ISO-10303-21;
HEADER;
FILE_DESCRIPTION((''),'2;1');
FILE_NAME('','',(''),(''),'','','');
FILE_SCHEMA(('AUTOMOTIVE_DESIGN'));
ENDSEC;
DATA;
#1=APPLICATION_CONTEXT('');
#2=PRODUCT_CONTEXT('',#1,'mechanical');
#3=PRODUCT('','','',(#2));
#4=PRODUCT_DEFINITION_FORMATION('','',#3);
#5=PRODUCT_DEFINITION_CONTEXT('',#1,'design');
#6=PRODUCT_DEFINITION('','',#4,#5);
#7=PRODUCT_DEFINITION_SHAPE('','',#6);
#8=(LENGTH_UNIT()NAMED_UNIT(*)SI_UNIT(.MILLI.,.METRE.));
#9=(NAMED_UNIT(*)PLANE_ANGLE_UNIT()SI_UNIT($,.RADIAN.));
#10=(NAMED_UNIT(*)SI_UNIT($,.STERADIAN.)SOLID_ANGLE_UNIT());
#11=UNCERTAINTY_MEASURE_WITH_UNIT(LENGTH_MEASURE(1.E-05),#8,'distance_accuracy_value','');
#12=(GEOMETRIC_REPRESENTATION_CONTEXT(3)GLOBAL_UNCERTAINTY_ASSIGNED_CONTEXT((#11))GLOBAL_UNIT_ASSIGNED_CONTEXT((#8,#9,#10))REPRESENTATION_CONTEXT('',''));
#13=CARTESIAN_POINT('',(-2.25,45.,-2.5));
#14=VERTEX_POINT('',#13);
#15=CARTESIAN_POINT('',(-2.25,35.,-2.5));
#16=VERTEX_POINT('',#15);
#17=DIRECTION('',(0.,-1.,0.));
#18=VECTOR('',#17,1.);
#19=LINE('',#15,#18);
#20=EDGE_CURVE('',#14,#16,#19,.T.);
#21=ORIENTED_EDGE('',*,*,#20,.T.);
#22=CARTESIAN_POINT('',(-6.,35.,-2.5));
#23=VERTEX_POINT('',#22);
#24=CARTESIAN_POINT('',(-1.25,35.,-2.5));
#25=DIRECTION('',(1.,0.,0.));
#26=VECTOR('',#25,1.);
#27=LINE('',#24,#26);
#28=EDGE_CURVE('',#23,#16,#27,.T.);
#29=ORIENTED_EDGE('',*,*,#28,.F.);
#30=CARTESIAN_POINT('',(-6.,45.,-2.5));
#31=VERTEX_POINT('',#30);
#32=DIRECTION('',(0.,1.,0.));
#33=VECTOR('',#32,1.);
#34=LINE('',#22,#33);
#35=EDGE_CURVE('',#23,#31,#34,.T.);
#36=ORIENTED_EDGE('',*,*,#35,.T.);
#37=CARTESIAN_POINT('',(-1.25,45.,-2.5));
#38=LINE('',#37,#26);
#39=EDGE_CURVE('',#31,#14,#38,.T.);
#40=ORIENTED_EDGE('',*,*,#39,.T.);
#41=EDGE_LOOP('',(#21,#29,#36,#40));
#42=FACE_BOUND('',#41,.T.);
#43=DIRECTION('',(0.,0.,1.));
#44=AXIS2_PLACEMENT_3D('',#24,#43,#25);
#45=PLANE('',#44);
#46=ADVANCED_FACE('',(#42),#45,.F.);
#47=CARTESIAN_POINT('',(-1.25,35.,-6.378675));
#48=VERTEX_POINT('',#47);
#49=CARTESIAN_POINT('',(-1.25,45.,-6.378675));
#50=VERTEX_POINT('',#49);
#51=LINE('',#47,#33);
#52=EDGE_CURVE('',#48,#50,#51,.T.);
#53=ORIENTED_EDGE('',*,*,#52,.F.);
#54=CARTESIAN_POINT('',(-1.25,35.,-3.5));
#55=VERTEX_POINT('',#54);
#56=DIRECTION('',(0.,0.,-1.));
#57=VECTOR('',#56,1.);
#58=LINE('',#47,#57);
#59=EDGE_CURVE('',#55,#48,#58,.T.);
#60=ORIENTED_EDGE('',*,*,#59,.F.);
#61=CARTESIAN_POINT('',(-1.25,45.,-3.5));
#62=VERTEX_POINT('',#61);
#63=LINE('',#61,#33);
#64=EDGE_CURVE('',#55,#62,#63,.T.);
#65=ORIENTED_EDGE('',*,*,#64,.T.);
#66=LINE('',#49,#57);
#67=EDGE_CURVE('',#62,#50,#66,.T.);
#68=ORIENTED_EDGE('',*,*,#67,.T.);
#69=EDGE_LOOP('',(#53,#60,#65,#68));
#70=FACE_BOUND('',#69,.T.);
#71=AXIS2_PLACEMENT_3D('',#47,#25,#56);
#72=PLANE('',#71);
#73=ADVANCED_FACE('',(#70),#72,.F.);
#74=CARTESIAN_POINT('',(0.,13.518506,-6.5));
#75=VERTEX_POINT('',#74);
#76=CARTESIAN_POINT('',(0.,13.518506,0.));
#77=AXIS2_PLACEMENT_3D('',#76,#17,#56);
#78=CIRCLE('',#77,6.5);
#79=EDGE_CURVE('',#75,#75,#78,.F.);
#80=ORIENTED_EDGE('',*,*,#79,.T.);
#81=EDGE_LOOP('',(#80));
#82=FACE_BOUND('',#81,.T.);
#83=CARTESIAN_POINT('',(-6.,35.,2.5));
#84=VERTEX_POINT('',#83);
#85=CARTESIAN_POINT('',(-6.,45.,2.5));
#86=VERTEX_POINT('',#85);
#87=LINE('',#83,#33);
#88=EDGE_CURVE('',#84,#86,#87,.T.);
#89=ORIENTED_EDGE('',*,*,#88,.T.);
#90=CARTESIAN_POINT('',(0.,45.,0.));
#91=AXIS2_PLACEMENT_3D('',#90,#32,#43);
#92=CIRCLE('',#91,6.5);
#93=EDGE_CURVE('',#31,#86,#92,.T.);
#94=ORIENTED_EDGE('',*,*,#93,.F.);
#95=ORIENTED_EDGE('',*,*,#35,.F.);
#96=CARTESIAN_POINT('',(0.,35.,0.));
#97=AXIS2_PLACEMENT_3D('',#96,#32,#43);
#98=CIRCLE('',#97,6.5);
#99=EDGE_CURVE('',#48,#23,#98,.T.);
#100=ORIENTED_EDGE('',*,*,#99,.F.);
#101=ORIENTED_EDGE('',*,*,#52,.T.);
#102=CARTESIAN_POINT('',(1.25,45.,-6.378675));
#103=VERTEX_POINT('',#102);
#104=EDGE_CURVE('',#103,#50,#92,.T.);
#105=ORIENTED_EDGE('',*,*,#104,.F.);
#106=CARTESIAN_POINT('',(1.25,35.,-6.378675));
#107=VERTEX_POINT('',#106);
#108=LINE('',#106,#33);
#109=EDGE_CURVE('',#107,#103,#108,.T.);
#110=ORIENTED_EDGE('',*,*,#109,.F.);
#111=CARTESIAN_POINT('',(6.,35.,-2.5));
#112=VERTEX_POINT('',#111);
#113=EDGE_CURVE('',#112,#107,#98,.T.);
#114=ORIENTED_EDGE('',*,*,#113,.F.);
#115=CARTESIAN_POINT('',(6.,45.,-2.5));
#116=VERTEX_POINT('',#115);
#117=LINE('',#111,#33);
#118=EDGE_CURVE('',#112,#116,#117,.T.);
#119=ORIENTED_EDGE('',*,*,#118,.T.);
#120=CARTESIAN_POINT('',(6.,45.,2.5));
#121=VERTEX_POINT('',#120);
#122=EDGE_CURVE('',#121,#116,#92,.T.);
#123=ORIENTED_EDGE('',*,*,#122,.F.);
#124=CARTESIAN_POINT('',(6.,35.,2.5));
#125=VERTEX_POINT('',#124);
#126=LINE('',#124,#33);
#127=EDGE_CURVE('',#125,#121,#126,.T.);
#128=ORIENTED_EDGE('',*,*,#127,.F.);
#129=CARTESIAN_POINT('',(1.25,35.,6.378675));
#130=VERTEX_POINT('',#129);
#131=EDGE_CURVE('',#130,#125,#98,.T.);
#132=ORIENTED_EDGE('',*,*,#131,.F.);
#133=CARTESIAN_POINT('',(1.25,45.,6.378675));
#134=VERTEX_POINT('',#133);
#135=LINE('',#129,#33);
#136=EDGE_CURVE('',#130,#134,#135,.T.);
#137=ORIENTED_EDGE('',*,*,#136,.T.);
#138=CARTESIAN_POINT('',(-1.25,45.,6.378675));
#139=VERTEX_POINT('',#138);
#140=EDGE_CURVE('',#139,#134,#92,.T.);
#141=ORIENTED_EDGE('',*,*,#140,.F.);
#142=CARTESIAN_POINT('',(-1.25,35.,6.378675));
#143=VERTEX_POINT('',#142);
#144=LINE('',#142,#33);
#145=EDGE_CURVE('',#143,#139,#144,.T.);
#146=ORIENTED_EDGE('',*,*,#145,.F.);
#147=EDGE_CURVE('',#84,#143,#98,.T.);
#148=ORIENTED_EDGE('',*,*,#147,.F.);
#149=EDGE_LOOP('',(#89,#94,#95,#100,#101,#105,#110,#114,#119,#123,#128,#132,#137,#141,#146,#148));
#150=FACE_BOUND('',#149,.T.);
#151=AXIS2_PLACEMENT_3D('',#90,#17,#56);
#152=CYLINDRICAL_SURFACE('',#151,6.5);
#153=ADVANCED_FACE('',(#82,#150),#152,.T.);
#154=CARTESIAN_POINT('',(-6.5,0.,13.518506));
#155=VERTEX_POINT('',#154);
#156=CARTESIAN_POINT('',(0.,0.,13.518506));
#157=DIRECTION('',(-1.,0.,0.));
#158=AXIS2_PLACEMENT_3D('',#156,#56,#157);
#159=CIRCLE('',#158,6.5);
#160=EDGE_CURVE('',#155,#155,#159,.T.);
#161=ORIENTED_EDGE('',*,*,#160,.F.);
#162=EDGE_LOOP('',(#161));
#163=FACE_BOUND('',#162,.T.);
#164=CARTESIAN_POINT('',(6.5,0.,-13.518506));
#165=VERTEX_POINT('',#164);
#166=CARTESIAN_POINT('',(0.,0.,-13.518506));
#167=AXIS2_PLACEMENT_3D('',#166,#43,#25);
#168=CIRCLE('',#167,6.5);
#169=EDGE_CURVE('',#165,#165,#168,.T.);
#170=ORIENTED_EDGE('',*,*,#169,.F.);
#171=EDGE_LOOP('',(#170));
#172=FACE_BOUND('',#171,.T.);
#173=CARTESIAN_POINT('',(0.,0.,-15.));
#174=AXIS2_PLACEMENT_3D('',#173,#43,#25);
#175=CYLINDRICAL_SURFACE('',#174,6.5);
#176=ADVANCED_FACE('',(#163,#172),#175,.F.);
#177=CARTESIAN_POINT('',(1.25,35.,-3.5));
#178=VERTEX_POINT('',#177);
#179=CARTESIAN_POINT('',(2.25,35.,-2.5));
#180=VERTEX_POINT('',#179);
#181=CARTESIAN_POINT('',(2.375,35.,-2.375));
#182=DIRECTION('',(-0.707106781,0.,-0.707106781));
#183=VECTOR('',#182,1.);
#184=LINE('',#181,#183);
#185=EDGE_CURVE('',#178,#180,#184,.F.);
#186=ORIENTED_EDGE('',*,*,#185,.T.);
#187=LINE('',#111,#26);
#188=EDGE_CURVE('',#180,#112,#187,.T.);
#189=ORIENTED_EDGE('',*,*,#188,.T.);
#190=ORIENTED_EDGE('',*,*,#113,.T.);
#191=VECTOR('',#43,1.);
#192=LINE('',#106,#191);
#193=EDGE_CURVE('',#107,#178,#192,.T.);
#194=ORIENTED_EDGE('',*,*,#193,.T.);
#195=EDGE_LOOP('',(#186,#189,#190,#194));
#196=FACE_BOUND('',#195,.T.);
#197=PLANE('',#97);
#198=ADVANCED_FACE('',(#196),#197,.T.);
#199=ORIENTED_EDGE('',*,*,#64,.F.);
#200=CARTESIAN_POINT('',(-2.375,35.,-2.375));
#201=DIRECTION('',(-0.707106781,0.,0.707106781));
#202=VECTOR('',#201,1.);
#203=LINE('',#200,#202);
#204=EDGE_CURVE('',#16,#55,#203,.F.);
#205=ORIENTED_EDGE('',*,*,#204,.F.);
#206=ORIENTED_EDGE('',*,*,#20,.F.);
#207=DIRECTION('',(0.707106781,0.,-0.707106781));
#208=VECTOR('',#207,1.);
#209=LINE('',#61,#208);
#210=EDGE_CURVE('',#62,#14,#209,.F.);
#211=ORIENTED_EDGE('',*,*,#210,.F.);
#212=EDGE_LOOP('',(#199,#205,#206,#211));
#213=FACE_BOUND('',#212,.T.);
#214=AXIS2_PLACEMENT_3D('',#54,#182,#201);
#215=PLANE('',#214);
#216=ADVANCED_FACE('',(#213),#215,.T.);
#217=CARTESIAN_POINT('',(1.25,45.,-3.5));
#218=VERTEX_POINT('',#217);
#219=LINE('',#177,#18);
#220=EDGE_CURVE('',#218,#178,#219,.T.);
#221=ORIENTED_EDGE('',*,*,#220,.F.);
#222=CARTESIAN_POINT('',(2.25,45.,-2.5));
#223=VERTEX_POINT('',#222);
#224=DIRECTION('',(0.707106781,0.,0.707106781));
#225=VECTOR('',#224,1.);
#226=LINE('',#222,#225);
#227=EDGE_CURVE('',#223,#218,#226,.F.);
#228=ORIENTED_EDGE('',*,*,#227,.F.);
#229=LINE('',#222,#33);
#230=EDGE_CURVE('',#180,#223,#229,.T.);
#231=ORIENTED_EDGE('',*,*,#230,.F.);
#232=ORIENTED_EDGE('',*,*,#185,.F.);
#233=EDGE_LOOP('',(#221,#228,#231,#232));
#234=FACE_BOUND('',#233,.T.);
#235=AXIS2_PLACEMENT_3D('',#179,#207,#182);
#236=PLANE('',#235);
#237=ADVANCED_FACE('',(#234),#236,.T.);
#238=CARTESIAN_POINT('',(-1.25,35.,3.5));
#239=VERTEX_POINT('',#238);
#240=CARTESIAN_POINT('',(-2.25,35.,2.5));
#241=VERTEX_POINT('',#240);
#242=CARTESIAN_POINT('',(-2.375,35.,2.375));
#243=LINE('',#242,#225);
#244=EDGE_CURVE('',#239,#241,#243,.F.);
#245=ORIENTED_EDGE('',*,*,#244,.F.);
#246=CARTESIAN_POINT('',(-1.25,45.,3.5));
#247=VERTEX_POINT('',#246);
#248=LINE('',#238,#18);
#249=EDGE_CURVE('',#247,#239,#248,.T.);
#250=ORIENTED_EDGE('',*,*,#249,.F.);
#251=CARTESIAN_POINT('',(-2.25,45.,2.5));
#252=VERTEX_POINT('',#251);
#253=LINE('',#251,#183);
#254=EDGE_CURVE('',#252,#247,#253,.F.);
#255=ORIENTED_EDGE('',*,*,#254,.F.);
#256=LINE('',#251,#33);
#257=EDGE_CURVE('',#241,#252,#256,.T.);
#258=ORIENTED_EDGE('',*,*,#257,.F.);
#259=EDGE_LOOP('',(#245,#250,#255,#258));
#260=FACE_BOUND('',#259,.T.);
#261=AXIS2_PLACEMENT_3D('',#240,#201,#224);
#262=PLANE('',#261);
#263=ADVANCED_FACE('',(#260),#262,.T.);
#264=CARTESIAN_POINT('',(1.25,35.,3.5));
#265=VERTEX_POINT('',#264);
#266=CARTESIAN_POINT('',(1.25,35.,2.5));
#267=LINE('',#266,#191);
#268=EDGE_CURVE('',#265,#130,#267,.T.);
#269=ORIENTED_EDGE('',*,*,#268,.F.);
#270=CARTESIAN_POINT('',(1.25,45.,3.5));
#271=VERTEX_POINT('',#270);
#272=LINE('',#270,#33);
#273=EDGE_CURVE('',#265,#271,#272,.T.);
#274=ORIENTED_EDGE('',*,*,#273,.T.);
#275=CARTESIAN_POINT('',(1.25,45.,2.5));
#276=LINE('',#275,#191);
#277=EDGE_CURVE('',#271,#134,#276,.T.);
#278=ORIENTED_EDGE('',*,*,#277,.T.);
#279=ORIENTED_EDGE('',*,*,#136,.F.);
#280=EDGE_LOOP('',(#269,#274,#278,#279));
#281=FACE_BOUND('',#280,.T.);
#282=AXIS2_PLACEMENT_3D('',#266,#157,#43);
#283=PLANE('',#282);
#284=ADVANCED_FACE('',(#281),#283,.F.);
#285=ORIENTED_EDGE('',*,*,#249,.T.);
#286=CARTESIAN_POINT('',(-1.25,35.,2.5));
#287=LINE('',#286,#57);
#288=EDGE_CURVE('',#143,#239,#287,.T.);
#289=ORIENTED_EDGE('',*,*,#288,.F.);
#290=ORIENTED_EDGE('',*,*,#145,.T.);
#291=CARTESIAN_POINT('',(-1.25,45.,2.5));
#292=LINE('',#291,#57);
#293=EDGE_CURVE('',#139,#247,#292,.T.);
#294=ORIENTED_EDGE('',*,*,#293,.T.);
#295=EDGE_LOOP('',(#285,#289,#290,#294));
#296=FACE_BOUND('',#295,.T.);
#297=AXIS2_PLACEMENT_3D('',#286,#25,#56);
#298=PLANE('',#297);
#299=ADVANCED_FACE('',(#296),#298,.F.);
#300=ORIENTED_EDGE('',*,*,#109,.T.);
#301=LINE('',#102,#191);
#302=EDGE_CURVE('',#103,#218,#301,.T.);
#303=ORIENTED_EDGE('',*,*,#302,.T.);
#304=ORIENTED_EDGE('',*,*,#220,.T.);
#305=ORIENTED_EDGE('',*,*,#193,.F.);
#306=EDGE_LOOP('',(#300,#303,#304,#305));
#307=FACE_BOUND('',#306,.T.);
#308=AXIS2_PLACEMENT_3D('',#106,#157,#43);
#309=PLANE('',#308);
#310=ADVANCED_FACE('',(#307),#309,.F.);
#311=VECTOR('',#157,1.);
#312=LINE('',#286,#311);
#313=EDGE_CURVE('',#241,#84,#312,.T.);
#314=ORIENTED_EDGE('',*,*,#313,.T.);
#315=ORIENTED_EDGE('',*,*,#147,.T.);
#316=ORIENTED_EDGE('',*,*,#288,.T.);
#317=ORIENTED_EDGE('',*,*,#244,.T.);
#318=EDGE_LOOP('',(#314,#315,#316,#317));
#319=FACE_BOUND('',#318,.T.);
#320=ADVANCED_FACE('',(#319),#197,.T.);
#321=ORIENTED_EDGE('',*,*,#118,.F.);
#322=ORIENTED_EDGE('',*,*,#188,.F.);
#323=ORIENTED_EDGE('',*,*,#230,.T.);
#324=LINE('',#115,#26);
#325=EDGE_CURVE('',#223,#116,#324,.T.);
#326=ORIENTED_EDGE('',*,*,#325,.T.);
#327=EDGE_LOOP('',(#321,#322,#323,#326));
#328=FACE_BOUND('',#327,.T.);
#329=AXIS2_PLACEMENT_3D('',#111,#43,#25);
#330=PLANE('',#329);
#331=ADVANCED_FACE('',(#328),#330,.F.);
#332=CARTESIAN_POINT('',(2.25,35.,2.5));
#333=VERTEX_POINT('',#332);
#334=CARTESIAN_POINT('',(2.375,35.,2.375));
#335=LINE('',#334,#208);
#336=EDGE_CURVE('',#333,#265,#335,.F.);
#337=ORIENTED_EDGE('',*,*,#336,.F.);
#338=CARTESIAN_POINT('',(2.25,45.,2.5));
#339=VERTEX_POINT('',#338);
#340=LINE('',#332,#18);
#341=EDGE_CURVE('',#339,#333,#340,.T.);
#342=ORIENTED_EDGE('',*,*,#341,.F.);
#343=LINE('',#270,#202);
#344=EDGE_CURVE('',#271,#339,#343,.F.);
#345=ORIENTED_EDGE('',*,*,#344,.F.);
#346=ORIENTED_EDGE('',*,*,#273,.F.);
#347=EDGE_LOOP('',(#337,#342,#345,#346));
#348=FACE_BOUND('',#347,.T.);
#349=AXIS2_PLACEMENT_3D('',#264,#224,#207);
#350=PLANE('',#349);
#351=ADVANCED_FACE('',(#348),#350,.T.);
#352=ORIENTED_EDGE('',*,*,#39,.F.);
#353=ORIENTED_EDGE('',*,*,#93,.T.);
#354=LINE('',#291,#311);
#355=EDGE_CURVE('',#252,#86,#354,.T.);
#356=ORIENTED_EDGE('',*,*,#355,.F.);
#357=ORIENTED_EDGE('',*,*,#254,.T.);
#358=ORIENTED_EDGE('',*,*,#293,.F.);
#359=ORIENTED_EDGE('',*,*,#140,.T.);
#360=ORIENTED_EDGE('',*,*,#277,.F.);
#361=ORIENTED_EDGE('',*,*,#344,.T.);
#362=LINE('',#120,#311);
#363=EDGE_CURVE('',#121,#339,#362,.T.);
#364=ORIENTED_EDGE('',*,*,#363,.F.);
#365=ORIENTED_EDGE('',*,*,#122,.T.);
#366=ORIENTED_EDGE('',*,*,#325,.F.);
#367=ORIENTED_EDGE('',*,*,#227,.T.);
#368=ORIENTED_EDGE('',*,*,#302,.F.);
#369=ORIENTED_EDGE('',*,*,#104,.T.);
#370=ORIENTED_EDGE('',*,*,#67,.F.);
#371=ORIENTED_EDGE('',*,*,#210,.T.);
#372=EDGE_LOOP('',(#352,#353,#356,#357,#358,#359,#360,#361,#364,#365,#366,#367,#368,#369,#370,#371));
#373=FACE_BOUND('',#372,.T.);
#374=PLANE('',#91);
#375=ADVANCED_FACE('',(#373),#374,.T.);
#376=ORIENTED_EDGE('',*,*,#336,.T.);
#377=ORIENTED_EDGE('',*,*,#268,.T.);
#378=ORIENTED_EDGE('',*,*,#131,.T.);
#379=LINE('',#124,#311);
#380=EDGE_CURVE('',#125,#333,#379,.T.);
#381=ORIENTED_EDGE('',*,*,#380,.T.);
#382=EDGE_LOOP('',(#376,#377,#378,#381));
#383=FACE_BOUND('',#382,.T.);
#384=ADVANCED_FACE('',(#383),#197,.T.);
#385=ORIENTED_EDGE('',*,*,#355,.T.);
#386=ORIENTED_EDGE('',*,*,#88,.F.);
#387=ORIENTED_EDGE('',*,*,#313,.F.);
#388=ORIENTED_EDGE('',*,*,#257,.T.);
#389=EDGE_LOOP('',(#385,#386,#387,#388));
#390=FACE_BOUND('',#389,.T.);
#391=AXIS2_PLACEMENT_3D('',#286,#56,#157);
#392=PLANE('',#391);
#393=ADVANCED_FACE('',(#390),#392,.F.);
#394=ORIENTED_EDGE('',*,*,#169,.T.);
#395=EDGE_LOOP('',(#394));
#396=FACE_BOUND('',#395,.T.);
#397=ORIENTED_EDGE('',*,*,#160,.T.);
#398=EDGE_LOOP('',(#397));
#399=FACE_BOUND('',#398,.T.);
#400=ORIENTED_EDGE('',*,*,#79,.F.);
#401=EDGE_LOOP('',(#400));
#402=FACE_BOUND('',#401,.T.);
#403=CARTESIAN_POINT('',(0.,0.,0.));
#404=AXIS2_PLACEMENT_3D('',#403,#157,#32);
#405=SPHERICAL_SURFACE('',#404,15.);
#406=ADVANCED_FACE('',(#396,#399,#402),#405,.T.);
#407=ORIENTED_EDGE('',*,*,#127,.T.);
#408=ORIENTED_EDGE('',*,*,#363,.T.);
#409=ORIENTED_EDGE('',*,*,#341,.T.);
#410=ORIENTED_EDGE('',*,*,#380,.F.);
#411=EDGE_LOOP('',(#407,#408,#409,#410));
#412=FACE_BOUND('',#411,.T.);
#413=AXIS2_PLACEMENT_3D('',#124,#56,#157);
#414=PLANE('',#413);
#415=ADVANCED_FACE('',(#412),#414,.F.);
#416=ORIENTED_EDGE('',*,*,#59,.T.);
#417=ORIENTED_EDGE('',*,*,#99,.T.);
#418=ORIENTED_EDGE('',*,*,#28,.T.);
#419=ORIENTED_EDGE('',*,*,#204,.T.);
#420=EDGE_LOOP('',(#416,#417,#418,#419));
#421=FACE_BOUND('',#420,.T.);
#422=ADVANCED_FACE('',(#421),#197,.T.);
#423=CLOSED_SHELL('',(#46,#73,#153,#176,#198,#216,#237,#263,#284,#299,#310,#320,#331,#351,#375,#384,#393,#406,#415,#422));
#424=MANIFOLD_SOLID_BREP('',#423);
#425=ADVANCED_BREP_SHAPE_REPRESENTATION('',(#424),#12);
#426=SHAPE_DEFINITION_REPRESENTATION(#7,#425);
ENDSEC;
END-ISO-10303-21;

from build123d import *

# Parameters (mm, degrees)
SKETCH_S2_R              = 6.5
EXTRUDE_2_DEPTH          = 45
CUT_EXTRUDE_3_DEPTH      = 10
CHAMFER_4_SIZE           = 1
SKETCH_S5_R              = 6.5
CUT_EXTRUDE_5_DEPTH      = 16
CUT_EXTRUDE_5_DEPTH_BACK = 16


with BuildPart() as part:
    # Sketch s1 → Revolve 1 (revolve)
    with BuildSketch(Plane.XY):
        with BuildLine():
            Line((-15, 0), (15, 0))
            ThreePointArc((15, 0), (0, 15), (-15, 0))
        make_face()
    revolve(axis=Axis((-56.6721202, 0, 0), (1, 0, 0)))

    # Sketch s2 → Extrude 2 (add)
    with BuildSketch(Plane(origin=(0, 0, 0), x_dir=(1, 0, 0), z_dir=(0, 1, 0))):
        Circle(SKETCH_S2_R)
    extrude(amount=EXTRUDE_2_DEPTH)

    # Sketch s3 → Cut-Extrude 3 (cut)
    with BuildSketch(Plane(origin=(0, 45, 0), x_dir=(-1, 0, 0), z_dir=(0, 1, 0))):
        with BuildLine():
            Line((-1.25, -6.378675411), (-1.25, -2.5))
            Line((-1.25, -2.5), (-6, -2.5))
            ThreePointArc((-6, -2.5), (-4.111162334, -5.034713921), (-1.25, -6.378675411))
        make_face()
        with BuildLine():
            Line((1.25, -6.378675411), (1.25, -2.5))
            Line((1.25, -2.5), (6, -2.5))
            ThreePointArc((6, -2.5), (4.111162334, -5.034713921), (1.25, -6.378675411))
        make_face()
        with BuildLine():
            Line((-6, 2.5), (-1.25, 2.5))
            Line((-1.25, 2.5), (-1.25, 6.378675411))
            ThreePointArc((-1.25, 6.378675411), (-4.111162334, 5.034713921), (-6, 2.5))
        make_face()
        with BuildLine():
            Line((1.25, 2.5), (1.25, 6.378675411))
            ThreePointArc((1.25, 6.378675411), (4.111162334, 5.034713921), (6, 2.5))
            Line((6, 2.5), (1.25, 2.5))
        make_face()
    extrude(amount=-CUT_EXTRUDE_3_DEPTH, mode=Mode.SUBTRACT)

    # Chamfer 4
    chamfer_4_edges = [part.edges().sort_by_distance(p)[0] for p in [
        (-1.25, 40, -2.5),
        (-1.25, 40, 2.5),
        (1.25, 40, -2.5),
        (1.25, 40, 2.5),
    ]]
    chamfer(chamfer_4_edges, length=CHAMFER_4_SIZE)

    # Sketch s5 → Cut-Extrude 5 (cut, two sides)
    with BuildSketch(Plane.XY) as cut_extrude_5_sk:
        Circle(SKETCH_S5_R)
    extrude(amount=CUT_EXTRUDE_5_DEPTH, mode=Mode.SUBTRACT)
    extrude(cut_extrude_5_sk.sketch, amount=-CUT_EXTRUDE_5_DEPTH_BACK, mode=Mode.SUBTRACT)


solid = part.part
